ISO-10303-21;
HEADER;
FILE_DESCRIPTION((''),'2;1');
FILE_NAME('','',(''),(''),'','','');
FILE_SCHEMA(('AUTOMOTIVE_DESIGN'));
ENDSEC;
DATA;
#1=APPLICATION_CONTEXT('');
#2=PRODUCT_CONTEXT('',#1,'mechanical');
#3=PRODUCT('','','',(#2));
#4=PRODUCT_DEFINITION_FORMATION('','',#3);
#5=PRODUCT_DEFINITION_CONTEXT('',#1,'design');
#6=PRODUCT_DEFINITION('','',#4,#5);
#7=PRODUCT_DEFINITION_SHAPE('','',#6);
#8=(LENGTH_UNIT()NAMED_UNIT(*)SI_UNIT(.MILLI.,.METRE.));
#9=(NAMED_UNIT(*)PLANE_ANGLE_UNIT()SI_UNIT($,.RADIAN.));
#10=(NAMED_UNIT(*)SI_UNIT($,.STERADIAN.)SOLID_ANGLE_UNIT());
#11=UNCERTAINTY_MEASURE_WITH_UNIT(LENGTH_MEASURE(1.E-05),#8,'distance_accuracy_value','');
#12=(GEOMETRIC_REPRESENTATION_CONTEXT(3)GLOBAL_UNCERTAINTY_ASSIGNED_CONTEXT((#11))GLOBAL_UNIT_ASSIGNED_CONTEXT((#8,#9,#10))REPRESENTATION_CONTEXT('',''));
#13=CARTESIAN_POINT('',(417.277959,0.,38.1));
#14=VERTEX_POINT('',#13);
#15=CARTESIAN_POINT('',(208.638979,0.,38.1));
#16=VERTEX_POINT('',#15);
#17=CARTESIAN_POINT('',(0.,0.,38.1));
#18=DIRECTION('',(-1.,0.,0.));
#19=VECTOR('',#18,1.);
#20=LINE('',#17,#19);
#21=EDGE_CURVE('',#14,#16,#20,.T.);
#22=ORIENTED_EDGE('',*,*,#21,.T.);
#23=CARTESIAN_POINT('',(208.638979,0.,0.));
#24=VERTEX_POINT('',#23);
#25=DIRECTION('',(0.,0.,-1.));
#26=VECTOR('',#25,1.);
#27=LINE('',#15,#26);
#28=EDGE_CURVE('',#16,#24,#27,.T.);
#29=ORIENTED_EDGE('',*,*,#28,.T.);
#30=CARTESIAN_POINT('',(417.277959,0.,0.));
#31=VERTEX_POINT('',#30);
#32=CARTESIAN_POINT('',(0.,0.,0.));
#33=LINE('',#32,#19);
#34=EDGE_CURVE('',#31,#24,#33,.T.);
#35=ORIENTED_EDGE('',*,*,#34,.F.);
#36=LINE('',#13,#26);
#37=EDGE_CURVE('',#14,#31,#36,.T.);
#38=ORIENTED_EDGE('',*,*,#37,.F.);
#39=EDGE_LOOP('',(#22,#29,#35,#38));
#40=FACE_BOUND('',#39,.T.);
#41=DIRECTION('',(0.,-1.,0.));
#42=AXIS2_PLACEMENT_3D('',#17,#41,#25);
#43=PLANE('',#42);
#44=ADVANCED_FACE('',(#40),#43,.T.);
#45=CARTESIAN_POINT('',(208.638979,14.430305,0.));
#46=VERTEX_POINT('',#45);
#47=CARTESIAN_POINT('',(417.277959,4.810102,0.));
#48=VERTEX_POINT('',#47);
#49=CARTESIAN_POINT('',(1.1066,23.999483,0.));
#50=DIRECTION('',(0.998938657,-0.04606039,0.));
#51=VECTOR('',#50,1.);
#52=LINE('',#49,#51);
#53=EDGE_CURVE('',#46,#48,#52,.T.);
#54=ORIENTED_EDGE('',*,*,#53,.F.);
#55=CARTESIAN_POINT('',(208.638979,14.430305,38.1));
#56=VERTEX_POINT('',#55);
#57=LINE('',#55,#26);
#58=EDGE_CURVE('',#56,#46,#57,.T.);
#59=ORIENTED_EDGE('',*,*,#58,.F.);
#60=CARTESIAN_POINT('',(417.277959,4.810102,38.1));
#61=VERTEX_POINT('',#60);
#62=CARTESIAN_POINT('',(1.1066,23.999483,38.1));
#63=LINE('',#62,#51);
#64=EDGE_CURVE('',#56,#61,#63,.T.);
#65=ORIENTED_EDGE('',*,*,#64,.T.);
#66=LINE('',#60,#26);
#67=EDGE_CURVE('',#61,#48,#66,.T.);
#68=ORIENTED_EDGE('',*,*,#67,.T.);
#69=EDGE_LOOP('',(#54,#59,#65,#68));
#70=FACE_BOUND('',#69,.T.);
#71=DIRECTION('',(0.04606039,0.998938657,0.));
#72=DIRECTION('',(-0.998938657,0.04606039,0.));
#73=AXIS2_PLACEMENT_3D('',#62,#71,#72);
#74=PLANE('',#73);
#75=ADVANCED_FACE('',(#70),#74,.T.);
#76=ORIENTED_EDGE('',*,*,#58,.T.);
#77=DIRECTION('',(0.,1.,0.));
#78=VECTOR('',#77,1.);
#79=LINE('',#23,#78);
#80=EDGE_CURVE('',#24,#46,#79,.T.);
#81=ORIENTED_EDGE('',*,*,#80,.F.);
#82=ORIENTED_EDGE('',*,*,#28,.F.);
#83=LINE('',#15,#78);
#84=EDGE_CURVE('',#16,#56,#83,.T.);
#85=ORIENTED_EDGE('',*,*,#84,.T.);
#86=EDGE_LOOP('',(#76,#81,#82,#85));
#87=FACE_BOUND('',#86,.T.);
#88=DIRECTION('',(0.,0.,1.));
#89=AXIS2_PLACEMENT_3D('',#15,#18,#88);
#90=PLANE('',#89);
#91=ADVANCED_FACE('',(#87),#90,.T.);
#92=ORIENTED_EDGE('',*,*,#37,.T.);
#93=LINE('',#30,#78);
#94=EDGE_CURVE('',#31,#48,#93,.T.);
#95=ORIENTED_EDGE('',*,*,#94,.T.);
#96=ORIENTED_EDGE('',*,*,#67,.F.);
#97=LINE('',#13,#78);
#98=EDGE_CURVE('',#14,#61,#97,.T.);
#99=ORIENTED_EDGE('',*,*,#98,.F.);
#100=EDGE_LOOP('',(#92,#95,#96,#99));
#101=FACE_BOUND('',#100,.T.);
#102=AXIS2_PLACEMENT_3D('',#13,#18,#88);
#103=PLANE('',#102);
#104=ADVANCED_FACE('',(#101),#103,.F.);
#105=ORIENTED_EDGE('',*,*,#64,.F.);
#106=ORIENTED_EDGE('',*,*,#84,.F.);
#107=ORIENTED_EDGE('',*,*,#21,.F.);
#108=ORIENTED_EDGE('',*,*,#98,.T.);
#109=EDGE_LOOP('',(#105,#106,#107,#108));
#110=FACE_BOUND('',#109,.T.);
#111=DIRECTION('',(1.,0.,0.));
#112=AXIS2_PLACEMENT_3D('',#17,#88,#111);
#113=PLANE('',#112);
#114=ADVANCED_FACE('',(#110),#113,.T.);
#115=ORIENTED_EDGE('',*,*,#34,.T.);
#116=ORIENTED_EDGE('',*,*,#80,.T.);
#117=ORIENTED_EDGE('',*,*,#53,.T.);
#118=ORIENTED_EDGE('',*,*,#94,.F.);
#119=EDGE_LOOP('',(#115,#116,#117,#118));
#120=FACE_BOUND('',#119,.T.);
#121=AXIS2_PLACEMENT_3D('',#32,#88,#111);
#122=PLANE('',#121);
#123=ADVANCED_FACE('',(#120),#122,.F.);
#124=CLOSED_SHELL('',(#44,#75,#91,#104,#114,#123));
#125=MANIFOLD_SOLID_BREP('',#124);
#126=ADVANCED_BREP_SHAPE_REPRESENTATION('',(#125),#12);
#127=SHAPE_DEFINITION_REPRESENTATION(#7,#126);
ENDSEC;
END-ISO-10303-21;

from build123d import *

# Parameters (mm, degrees)
BOSS_EXTRUDE1_DEPTH = 38.1


with BuildPart() as part:
    # Sketch1 → Boss-Extrude1 (new body)
    with BuildSketch(Plane.XY):
        Polygon((208.638979216, 14.430304667), (208.638979216, 0), (417.277958838, 0), (417.277958838, 4.810101552), align=None)
    extrude(amount=BOSS_EXTRUDE1_DEPTH)


solid = part.part
